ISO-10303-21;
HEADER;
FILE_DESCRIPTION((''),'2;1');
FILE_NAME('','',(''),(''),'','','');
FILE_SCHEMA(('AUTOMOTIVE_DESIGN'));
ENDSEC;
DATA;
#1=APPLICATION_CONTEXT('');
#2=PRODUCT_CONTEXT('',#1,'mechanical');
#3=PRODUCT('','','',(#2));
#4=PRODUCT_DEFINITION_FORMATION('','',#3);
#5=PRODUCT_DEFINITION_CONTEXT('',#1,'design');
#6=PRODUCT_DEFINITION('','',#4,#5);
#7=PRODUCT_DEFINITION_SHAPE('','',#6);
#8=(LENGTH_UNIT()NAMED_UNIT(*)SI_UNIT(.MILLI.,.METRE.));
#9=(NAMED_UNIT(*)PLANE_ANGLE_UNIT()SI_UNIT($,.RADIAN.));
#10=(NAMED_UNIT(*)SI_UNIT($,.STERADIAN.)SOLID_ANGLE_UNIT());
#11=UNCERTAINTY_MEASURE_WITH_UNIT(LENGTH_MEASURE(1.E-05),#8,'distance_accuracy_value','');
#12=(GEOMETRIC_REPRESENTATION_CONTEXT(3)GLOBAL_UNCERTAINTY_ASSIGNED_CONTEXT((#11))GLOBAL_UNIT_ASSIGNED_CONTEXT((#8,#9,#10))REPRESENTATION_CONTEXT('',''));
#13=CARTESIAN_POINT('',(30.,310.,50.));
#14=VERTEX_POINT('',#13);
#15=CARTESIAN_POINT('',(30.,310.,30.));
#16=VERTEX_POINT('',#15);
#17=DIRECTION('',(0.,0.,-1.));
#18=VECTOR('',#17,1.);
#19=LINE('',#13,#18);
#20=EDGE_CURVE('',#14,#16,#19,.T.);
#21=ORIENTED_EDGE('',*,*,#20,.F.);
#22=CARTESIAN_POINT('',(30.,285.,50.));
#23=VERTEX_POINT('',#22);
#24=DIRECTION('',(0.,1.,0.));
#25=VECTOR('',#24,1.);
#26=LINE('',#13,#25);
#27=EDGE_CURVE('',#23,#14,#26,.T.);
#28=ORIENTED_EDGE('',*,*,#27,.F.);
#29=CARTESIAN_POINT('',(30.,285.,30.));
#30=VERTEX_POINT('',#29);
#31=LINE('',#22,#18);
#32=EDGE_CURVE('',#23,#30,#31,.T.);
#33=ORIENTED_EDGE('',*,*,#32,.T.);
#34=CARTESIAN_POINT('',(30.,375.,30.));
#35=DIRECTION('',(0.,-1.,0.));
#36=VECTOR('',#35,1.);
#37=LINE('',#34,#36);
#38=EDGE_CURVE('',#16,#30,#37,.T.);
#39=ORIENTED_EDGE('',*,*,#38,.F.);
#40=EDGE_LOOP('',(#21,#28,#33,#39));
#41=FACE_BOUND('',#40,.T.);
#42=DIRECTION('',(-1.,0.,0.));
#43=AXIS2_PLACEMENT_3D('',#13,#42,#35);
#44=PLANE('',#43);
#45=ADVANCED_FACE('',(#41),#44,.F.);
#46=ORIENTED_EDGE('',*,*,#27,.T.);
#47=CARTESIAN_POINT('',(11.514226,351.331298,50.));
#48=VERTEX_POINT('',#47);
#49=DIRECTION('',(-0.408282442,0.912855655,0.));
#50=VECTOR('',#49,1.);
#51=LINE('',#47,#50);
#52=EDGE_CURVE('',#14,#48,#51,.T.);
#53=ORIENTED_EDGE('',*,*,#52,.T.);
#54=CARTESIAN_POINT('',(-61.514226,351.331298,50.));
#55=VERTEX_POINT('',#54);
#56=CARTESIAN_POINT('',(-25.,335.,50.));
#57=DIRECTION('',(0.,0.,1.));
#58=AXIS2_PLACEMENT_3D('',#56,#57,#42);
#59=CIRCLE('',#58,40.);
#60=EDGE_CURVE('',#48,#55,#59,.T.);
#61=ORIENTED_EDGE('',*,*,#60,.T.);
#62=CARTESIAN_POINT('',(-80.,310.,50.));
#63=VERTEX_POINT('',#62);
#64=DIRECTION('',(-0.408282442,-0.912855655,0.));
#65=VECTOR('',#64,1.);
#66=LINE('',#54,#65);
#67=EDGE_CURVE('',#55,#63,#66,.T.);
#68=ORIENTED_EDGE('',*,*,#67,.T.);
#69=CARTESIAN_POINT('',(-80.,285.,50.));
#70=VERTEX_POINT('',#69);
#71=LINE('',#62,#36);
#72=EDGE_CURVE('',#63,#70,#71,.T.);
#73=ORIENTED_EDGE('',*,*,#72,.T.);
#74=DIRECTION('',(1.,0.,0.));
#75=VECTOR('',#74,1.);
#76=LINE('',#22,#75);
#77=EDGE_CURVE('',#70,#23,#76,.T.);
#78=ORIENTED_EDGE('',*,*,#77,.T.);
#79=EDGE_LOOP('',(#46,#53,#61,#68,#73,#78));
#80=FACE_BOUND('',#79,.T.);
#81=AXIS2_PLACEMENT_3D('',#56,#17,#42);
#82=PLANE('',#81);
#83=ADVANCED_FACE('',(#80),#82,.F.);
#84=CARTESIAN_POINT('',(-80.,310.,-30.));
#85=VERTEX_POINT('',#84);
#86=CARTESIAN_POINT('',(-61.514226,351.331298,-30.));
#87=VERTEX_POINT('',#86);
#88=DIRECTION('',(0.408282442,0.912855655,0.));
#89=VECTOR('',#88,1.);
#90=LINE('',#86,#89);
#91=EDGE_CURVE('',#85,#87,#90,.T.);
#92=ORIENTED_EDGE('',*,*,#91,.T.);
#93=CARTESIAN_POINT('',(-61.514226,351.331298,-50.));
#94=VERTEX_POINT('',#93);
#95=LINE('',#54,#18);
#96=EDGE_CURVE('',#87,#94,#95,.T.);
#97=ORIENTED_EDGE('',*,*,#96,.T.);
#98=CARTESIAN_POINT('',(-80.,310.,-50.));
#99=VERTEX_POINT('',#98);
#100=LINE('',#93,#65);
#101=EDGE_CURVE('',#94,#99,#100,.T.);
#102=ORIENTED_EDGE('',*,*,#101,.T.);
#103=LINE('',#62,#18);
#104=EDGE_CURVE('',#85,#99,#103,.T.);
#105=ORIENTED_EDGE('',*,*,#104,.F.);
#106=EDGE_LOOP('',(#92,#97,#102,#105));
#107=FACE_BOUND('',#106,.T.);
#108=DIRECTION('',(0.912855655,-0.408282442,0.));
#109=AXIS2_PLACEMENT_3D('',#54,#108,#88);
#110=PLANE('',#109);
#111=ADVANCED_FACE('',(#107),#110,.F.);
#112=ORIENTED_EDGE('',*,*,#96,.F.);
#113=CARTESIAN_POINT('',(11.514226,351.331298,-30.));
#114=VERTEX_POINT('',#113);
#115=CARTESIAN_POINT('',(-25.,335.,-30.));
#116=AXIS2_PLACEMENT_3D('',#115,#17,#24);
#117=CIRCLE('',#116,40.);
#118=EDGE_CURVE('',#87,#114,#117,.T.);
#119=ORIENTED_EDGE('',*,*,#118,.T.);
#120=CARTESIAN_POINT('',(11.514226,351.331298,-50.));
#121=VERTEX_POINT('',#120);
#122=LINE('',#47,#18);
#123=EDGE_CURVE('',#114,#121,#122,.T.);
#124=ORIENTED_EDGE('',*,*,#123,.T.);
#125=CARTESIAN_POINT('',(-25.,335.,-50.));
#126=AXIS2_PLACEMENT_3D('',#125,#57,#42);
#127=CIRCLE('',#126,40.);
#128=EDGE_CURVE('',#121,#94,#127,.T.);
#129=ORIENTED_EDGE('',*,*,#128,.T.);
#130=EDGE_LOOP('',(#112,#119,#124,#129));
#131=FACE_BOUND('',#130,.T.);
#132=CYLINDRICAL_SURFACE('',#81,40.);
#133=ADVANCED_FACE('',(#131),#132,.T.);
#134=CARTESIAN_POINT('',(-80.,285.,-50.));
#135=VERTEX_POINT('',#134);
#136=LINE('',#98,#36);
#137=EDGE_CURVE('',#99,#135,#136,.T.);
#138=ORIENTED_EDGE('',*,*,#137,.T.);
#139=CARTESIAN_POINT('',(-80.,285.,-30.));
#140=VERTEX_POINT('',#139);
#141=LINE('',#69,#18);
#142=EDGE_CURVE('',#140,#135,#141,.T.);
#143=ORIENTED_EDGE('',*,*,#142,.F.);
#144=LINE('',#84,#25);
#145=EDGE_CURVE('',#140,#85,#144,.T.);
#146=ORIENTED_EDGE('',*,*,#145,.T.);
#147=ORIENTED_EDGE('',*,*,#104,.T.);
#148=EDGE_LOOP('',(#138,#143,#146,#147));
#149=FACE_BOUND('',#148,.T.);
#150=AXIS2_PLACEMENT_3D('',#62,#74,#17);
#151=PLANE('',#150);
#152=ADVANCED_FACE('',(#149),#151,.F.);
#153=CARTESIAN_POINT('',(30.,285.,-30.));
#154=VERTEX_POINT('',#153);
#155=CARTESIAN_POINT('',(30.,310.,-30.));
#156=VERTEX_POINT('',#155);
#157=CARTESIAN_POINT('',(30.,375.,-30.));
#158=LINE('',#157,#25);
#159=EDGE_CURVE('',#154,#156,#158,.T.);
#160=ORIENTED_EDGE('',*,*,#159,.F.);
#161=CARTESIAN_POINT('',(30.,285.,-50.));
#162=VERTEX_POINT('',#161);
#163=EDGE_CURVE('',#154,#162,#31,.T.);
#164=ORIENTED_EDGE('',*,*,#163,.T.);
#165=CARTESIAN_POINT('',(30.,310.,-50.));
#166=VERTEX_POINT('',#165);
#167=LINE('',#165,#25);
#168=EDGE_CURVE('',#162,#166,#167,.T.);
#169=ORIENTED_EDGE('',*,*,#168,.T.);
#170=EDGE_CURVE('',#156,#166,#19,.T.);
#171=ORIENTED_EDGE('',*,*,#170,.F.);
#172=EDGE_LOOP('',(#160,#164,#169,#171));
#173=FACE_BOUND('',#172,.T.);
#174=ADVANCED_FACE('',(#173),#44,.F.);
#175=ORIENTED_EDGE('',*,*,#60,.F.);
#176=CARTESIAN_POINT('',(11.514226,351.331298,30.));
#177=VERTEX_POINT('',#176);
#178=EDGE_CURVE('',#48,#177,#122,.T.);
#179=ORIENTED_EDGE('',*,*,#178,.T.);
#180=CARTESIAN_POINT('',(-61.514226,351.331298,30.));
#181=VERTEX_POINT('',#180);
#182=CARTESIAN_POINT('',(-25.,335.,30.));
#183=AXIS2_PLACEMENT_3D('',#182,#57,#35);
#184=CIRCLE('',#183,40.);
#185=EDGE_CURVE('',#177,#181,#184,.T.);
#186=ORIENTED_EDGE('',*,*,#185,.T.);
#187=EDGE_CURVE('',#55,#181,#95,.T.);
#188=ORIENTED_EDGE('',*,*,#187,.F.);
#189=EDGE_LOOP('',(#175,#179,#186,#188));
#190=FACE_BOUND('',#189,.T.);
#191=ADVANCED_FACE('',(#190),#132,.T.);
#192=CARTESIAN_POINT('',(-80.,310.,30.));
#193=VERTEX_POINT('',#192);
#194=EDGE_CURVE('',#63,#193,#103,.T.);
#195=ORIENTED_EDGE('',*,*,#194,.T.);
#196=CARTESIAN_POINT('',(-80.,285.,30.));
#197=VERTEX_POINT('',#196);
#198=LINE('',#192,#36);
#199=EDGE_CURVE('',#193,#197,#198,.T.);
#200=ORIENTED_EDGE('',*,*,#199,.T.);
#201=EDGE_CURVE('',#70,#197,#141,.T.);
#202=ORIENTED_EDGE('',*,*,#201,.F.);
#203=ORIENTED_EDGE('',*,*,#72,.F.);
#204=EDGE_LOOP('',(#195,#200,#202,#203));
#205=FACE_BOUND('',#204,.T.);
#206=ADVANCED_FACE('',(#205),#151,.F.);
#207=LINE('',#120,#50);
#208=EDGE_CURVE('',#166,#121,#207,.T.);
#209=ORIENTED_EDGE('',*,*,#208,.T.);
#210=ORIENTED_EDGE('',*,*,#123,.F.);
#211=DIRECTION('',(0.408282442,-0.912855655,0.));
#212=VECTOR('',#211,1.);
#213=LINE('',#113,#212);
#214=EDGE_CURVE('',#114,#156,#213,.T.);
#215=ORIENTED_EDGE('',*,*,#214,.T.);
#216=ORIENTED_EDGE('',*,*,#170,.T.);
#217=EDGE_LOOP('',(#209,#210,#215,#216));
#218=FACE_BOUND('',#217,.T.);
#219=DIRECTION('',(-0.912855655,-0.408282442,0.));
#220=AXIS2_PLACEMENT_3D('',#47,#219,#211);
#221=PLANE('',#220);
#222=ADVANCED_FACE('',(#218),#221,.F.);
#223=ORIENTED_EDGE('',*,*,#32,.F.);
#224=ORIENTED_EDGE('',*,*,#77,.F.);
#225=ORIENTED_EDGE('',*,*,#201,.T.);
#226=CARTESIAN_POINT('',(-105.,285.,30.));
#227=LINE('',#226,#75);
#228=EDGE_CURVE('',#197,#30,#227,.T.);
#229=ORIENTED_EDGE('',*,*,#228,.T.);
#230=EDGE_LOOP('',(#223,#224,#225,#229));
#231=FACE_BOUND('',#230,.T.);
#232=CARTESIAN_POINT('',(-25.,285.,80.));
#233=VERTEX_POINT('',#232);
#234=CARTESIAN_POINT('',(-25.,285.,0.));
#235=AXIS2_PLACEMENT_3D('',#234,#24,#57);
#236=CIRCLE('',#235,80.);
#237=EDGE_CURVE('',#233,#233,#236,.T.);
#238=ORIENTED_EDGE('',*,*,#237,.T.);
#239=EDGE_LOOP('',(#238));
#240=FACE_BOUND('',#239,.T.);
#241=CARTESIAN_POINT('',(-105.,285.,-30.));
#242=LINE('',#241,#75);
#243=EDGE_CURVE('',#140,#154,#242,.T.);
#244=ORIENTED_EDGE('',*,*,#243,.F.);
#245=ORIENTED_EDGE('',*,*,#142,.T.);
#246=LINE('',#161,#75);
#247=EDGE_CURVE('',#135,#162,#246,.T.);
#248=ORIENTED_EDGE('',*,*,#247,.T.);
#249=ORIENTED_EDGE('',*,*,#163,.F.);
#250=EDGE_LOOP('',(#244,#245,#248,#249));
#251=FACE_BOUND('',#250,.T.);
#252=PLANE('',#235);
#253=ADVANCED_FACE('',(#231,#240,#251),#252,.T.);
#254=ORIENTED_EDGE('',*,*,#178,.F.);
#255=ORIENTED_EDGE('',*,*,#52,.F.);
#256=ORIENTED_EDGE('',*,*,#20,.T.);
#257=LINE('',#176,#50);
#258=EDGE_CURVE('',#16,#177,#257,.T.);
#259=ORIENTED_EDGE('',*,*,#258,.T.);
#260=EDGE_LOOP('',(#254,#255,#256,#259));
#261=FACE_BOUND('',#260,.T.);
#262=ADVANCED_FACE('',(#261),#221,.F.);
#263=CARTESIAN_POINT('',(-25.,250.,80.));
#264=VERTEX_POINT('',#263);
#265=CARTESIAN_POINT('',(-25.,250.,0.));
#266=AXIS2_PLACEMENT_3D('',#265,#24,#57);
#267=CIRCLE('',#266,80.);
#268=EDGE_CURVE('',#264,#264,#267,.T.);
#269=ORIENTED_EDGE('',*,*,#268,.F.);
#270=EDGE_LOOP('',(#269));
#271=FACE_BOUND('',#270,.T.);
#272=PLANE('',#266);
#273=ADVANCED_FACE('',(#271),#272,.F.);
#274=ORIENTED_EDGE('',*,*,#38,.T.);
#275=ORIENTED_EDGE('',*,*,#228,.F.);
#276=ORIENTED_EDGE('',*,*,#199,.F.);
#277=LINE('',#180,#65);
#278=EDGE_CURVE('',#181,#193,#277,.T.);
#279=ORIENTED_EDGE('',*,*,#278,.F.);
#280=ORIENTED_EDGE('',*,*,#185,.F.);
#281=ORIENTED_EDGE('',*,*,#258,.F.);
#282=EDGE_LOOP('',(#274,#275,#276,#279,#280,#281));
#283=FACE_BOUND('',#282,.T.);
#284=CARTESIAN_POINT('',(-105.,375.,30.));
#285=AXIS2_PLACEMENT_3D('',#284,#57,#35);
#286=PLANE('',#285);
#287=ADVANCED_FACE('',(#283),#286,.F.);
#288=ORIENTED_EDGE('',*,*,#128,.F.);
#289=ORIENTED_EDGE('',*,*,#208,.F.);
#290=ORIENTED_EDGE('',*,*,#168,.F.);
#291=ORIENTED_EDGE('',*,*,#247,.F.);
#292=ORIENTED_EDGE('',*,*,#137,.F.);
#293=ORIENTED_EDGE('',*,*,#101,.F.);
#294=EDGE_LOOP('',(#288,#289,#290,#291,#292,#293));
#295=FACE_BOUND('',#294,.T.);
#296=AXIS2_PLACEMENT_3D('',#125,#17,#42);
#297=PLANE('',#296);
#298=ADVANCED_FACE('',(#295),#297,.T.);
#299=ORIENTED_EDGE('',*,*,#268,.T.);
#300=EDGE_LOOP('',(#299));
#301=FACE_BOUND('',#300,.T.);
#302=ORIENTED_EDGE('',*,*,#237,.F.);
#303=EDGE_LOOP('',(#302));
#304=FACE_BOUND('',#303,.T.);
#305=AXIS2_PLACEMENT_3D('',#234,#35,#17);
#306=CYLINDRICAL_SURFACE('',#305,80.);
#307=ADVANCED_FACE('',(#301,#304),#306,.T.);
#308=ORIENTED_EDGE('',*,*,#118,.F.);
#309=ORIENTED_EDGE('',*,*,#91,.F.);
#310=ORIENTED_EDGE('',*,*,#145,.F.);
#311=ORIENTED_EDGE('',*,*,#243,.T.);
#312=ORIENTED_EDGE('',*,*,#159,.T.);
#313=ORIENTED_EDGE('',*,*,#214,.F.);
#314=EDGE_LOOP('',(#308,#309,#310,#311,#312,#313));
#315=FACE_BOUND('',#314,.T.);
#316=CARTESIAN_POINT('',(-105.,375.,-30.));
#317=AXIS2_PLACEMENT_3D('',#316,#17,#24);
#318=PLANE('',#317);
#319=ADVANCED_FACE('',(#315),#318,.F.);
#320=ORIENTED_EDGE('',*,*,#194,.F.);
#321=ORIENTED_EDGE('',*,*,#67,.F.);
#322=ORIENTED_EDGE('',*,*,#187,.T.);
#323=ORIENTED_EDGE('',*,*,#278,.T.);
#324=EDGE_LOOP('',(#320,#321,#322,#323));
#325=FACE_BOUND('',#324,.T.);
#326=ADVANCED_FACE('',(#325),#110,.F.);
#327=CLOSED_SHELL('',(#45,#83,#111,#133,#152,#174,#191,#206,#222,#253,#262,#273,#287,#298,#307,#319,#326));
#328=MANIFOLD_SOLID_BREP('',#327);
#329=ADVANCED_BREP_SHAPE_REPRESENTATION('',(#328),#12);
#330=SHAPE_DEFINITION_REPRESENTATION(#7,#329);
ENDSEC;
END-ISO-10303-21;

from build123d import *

# Parameters (mm, degrees)
CROQUIS1_W              = 15
CROQUIS1_H              = 50
CROQUIS1_W_2            = 50
CROQUIS1_H_2            = 115
SALIENTE_EXTRUIR1_DEPTH = 250
CROQUIS2_R              = 80
SALIENTE_EXTRUIR2_DEPTH = 35
SALIENTE_EXTRUIR3_DEPTH = 50
CROQUIS4_W              = 60
CROQUIS4_H              = 90
CORTAR_EXTRUIR1_DEPTH   = 407.509532484
CROQUIS5_R              = 80
CORTAR_EXTRUIR2_DEPTH   = 283.710098865


with BuildPart() as part:
    # Croquis1 → Saliente-Extruir1 (new body)
    with BuildSketch(Plane(origin=(0, 0, 0), x_dir=(1, 0, 0), z_dir=(0, 1, 0))):
        with Locations((-32.5, 0)):
            Rectangle(CROQUIS1_W, CROQUIS1_H)
        Rectangle(CROQUIS1_W_2, CROQUIS1_H_2)
    extrude(amount=SALIENTE_EXTRUIR1_DEPTH)

    # Croquis2 → Saliente-Extruir2 (add)
    with BuildSketch(Plane(origin=(0, 250, 0), x_dir=(1, 0, 0), z_dir=(0, 1, 0))):
        with Locations(Location((-25, 0, 0), (0, 0, 270))):
            Circle(CROQUIS2_R)
    extrude(amount=SALIENTE_EXTRUIR2_DEPTH)

    # Croquis3 → Saliente-Extruir3 (add, symmetric)
    with BuildSketch(Plane.XY):
        with BuildLine():
            Line((11.514226217, 351.331297677), (30, 310))
            Line((30, 310), (30, 285))
            Line((30, 285), (-80, 285))
            Line((-80, 285), (-80, 310))
            Line((-80, 310), (-61.514226217, 351.331297677))
            ThreePointArc((-61.514226217, 351.331297677), (-25, 375), (11.514226217, 351.331297677))
        make_face()
    extrude(amount=SALIENTE_EXTRUIR3_DEPTH, both=True)

    # Croquis4 → Cortar-Extruir1 (cut, through all)
    with BuildSketch(Plane(origin=(30, 0, 0), x_dir=(0, 0, -1), z_dir=(1, 0, 0))):
        with Locations((0, 330)):
            Rectangle(CROQUIS4_W, CROQUIS4_H)
    extrude(amount=-CORTAR_EXTRUIR1_DEPTH, mode=Mode.SUBTRACT)

    # Croquis5 → Cortar-Extruir2 (cut, through all)
    with BuildSketch(Plane.XZ.offset(-250)):
        with Locations(Location((-25, 0, 0), (0, 0, 90))):
            Circle(CROQUIS5_R)
    extrude(amount=CORTAR_EXTRUIR2_DEPTH, mode=Mode.SUBTRACT)


solid = part.part
